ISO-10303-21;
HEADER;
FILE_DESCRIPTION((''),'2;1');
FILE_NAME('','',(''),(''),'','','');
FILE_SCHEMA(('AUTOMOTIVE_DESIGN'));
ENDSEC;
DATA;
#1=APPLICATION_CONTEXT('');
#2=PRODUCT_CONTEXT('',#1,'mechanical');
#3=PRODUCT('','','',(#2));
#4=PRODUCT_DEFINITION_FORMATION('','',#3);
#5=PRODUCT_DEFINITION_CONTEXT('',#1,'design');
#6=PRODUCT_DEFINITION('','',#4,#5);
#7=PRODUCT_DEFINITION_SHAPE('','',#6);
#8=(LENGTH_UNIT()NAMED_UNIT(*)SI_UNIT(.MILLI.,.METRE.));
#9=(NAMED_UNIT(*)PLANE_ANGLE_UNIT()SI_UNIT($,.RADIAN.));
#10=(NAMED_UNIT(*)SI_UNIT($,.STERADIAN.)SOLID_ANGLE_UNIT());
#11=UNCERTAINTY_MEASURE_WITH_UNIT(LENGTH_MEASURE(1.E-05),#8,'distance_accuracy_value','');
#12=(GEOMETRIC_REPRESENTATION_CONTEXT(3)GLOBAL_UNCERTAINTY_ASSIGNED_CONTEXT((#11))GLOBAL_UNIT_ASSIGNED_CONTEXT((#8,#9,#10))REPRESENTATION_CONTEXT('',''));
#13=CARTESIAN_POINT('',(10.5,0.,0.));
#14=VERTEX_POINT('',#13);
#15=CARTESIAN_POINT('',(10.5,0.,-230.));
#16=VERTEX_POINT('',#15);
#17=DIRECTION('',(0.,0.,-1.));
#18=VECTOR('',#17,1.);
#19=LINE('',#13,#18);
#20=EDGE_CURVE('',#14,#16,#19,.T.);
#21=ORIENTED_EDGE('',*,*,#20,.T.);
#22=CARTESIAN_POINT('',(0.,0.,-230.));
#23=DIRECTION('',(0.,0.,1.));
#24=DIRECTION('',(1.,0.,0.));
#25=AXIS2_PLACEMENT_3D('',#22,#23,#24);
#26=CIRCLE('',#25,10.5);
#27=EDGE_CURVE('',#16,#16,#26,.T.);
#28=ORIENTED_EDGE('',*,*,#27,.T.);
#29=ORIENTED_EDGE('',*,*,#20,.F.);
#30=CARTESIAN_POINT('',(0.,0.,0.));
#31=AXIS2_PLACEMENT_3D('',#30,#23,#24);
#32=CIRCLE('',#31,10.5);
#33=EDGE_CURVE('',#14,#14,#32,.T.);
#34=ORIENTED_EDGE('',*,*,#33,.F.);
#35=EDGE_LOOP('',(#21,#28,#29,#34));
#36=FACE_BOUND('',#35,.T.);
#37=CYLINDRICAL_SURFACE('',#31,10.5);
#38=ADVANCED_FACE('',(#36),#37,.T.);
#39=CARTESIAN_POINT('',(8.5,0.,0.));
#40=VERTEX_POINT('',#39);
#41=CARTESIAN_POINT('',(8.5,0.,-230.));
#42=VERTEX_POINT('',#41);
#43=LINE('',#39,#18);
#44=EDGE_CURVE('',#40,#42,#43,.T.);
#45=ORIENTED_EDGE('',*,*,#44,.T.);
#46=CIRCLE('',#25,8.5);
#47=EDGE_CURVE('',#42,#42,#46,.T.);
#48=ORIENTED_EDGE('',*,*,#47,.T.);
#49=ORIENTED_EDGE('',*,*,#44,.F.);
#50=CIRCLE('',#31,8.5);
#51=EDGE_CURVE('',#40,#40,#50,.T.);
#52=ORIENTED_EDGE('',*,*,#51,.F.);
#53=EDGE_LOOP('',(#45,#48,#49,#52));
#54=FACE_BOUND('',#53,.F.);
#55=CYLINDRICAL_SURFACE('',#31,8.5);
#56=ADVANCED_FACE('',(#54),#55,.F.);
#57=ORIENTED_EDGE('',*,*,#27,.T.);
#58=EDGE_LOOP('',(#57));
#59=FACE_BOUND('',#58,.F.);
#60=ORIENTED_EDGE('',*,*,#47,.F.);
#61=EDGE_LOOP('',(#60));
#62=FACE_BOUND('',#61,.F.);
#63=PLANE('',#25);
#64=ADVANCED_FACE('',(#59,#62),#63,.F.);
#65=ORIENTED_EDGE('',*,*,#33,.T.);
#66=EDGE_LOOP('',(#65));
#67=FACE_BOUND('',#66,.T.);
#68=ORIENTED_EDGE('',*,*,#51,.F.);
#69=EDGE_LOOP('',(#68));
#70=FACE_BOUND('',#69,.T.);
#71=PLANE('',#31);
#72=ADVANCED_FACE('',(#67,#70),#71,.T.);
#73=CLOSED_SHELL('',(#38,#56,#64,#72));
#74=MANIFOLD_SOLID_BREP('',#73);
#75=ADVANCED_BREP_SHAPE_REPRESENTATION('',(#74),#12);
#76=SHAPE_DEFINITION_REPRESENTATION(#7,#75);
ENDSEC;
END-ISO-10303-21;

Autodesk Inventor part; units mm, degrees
ref_plane "YZ Plane" through (0, 0, 0) normal (1, 0, 0) x (0, 1, 0)
ref_plane "XZ Plane" through (0, 0, 0) normal (0, 1, 0) x (-1, 0, 0)
ref_plane "XY Plane" through (0, 0, 0) normal (0, 0, 1) x (1, 0, 0)
sketch "Sketch11" plane through (0, 0, 0) normal (0, 0, 1) x (1, 0, 0)
  circle A0 centre (0, 0) radius 10.5
  circle A1 centre (0, 0) radius 8.5
  dimension "d187" = 21
  dimension "d188" = 2
extrude "Extrusion5" add sketch "Sketch11" against normal blind 230
properties part number "TKS 3546 FDS thread  tube6" material "Stainless Steel"
